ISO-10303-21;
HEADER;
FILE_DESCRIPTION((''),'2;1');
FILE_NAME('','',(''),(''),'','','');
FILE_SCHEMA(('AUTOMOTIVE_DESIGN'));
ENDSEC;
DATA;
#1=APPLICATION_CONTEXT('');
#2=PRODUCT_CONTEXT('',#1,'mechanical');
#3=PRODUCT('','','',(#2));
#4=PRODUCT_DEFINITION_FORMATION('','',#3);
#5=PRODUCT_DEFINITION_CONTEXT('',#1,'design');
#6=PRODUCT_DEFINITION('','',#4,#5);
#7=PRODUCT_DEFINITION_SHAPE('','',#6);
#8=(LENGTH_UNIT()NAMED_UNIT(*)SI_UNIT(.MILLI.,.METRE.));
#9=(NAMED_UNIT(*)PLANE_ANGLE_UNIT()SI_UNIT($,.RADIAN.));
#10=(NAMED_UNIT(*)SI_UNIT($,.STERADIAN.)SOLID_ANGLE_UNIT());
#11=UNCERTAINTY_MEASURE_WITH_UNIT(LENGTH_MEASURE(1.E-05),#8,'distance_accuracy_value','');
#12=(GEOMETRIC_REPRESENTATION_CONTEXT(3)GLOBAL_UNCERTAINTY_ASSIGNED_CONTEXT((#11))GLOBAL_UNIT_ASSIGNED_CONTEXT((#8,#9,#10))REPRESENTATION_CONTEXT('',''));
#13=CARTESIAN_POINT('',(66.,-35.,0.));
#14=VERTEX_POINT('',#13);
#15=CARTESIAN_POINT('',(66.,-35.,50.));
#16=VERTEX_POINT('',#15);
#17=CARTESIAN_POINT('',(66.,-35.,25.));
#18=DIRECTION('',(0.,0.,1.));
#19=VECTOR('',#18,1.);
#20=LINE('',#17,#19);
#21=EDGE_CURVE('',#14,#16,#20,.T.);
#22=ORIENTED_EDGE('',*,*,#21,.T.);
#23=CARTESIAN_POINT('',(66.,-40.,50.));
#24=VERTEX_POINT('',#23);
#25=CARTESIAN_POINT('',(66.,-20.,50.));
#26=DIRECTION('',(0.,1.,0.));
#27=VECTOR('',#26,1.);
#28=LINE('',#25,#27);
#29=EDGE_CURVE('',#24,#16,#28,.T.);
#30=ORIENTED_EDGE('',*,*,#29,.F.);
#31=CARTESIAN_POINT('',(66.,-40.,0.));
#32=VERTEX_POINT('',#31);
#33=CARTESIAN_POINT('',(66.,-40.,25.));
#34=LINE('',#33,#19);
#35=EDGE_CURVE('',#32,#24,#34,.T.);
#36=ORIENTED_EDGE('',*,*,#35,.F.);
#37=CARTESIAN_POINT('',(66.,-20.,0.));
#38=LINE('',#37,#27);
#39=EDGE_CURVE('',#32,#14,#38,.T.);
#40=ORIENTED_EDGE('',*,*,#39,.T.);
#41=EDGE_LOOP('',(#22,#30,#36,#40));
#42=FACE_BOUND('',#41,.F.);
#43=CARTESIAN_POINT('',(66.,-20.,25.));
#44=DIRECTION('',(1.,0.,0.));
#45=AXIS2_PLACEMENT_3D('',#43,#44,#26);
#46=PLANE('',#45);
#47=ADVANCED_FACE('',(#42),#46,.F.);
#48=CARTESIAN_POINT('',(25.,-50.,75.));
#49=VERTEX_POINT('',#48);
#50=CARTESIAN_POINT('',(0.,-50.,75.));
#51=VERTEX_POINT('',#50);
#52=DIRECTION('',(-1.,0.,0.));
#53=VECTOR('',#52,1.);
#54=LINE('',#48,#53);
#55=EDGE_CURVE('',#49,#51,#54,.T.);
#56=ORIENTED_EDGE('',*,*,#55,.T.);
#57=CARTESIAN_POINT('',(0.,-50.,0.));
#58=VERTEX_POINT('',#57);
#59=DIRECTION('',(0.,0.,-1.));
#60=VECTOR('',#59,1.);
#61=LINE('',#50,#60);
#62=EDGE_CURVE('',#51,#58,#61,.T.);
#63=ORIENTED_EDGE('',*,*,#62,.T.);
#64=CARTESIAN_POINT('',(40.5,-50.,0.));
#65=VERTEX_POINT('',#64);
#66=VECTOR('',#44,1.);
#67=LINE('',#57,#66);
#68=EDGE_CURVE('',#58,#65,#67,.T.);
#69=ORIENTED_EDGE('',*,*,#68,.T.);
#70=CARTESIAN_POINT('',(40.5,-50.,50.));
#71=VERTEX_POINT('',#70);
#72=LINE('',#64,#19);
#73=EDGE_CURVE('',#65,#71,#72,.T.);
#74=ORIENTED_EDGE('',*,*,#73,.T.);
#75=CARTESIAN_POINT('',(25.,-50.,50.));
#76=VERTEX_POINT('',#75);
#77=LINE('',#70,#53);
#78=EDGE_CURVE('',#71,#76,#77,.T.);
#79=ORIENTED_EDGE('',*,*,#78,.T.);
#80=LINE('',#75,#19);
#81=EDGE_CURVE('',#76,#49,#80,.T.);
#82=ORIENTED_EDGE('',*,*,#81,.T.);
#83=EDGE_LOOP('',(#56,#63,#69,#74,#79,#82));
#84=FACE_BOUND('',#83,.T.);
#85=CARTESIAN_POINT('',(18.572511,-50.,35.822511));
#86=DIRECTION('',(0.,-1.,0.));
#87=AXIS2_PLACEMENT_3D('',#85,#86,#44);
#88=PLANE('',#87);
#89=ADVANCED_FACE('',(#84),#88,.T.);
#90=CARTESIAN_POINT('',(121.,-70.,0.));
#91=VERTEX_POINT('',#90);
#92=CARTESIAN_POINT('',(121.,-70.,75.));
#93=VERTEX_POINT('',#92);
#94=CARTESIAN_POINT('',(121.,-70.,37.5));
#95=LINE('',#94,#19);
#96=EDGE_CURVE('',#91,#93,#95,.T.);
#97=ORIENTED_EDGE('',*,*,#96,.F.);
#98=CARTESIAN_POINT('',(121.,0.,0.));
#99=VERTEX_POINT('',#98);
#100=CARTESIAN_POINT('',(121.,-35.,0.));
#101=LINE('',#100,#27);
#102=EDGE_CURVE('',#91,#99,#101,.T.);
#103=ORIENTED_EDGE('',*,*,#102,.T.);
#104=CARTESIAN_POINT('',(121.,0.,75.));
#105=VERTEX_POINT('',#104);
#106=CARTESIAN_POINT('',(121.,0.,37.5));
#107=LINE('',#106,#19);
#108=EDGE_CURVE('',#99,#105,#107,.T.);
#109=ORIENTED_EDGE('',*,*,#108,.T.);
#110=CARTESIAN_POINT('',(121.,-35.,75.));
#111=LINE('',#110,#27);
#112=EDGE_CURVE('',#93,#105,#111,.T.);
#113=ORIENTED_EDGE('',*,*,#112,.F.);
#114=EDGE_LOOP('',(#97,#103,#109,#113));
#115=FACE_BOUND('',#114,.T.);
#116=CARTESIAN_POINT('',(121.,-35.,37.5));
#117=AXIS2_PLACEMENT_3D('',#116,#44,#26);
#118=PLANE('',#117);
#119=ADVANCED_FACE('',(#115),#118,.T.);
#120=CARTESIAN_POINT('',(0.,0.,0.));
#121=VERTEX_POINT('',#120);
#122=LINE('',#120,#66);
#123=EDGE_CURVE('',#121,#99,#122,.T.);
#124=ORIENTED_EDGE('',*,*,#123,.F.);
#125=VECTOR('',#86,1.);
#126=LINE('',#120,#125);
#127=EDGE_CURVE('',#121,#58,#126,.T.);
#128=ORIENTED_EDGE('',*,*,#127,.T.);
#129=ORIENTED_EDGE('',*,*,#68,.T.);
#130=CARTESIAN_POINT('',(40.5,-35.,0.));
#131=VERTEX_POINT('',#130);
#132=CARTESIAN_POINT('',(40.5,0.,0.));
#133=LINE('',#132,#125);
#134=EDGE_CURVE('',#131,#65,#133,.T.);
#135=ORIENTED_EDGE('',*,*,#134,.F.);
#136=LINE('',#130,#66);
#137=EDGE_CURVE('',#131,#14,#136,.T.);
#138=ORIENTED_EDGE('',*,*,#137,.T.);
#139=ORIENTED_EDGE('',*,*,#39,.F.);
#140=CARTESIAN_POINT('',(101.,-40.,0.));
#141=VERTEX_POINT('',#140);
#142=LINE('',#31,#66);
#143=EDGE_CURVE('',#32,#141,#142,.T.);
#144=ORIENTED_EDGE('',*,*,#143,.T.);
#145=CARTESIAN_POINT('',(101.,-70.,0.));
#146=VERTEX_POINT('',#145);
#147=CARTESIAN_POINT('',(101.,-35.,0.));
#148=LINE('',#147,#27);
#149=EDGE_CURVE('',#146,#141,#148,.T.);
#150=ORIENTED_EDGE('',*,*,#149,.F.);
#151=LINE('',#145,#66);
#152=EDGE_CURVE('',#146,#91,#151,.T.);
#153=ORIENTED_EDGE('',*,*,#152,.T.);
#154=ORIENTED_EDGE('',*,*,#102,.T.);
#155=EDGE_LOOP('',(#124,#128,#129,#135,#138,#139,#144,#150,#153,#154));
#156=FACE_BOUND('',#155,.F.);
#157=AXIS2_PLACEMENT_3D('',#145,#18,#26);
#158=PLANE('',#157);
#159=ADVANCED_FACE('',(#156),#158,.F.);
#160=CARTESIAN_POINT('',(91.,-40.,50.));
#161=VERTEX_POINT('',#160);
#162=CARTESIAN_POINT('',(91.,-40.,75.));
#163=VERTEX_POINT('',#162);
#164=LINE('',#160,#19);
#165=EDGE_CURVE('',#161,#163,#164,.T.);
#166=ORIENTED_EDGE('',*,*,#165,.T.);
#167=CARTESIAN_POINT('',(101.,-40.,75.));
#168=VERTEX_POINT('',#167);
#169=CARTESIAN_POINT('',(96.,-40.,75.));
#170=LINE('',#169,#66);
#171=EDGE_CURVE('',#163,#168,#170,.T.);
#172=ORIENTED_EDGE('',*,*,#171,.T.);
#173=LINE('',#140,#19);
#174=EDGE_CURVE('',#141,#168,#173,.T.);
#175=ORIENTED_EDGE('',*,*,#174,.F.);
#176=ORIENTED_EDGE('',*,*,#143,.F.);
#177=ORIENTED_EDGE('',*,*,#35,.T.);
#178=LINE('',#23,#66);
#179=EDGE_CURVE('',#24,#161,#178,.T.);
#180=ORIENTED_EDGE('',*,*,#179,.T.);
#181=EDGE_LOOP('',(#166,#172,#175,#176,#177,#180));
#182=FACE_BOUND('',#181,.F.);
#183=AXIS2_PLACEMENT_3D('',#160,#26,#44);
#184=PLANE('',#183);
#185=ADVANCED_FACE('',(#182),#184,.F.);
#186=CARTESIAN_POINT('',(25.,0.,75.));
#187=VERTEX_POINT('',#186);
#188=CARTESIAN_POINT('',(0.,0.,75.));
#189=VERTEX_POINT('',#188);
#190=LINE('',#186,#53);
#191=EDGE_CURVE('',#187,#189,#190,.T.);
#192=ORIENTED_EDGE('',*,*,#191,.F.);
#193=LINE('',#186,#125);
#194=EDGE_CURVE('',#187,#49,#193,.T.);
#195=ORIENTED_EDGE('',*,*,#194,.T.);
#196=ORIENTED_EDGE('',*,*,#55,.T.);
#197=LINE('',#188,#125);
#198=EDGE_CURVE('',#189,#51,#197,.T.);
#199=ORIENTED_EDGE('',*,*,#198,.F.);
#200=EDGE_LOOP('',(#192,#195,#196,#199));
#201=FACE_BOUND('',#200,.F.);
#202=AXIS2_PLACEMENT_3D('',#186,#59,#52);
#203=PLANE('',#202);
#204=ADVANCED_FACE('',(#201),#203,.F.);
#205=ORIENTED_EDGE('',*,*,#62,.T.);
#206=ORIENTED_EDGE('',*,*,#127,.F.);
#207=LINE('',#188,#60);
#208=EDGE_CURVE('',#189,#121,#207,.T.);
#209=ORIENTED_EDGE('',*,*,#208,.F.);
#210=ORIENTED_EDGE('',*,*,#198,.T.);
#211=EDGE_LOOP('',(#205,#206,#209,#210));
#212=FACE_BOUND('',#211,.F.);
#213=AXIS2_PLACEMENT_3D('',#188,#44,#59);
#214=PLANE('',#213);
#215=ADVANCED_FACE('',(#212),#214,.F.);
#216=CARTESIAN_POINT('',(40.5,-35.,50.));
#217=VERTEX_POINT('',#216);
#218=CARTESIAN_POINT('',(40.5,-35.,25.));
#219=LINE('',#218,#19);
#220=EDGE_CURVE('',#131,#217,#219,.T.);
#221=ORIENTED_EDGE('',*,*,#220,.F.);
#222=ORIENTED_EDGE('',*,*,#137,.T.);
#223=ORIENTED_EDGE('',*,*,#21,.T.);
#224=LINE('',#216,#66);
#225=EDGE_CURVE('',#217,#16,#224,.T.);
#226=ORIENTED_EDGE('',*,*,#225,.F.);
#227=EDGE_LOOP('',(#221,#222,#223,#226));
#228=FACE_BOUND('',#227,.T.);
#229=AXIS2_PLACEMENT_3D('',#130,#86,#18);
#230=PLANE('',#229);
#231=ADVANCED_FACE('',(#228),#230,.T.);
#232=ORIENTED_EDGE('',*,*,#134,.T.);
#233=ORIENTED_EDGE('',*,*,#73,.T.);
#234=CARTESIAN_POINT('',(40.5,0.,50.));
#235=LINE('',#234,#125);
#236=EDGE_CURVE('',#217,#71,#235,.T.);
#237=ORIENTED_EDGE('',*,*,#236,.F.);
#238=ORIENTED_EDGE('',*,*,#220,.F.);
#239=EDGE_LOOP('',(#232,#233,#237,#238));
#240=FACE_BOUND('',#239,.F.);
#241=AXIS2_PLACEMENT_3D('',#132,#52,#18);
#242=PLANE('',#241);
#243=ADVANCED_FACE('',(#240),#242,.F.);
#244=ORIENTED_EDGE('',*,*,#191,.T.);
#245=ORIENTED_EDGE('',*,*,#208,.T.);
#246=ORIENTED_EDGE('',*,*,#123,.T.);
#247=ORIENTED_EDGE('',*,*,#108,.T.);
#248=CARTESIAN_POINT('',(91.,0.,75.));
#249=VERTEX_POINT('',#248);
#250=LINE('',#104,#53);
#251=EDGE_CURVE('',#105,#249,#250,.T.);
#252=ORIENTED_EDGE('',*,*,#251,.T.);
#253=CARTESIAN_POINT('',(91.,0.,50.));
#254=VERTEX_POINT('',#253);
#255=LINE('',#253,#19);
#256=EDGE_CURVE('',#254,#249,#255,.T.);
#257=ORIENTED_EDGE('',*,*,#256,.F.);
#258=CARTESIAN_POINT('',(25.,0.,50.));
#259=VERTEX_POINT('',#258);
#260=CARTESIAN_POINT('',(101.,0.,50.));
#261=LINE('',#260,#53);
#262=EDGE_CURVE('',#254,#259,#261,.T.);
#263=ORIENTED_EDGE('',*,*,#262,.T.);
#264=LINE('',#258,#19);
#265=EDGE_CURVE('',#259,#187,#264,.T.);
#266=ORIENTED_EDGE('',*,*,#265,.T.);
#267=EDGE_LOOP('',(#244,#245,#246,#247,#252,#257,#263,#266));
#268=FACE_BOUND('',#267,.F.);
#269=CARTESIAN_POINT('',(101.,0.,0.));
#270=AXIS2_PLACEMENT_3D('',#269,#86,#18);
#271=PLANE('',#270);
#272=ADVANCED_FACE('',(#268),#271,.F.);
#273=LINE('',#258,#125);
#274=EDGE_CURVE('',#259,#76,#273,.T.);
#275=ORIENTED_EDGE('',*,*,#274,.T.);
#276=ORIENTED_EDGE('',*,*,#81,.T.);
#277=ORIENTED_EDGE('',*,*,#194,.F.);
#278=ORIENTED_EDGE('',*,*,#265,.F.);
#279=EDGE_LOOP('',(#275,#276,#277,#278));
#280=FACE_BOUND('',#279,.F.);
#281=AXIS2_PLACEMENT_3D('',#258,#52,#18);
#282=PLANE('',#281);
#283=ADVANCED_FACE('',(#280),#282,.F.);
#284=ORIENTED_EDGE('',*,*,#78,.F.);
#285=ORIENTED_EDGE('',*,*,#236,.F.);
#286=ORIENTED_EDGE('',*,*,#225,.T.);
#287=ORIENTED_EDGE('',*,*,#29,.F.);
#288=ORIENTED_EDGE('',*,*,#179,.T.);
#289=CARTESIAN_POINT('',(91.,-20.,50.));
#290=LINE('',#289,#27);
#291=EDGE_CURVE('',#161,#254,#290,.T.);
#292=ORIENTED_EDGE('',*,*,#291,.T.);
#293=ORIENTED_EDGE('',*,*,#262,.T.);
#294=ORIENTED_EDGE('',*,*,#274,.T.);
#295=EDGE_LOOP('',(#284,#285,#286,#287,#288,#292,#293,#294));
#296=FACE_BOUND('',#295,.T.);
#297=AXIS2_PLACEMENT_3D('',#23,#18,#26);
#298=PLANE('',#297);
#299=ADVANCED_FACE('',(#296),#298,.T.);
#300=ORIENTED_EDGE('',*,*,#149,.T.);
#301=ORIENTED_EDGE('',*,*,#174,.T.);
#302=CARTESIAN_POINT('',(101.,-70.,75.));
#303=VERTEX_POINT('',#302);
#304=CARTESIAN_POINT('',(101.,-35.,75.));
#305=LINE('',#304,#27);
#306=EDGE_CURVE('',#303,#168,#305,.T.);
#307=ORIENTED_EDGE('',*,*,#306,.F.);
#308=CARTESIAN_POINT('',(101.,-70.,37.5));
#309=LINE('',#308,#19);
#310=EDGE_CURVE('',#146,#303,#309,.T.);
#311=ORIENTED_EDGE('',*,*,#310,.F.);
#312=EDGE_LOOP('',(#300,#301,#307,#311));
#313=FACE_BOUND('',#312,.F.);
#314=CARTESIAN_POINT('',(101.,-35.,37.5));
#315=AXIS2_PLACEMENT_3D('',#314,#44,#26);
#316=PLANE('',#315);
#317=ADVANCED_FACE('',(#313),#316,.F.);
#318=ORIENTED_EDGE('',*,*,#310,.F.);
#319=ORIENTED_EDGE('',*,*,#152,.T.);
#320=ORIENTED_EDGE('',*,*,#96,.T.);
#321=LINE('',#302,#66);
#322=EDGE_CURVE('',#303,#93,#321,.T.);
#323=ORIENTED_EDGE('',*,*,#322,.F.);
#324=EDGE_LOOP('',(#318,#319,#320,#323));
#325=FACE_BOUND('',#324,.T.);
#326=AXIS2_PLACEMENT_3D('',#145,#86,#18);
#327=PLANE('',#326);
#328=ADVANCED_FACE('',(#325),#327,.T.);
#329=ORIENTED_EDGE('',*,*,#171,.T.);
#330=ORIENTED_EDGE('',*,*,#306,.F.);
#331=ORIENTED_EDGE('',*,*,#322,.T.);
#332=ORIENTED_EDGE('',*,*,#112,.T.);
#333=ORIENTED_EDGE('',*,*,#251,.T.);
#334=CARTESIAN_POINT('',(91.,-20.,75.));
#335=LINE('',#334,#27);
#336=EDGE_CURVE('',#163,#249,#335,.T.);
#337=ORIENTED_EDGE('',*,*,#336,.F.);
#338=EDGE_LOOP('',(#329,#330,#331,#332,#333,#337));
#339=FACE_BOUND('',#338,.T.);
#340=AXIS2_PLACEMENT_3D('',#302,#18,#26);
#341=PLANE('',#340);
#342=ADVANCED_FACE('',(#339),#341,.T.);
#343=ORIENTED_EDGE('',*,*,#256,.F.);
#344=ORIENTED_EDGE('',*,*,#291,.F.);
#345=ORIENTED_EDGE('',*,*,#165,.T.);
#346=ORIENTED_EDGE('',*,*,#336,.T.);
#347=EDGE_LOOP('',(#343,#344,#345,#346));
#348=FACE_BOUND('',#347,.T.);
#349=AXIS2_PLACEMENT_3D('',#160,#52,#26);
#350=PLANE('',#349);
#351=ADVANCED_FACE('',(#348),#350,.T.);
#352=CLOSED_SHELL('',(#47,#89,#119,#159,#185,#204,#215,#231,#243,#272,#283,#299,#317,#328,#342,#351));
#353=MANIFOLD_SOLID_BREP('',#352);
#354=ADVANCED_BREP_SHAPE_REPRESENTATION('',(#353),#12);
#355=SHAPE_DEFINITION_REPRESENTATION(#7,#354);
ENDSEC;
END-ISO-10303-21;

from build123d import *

# Parameters (mm, degrees)
F1_DEPTH = 50
F2_W     = 35
F2_H     = 50
F3_DEPTH = 25.5
F4_W     = 40
F4_H     = 50
F5_DEPTH = 35
F6_W     = 10
F6_H     = 40
F7_DEPTH = 25
F8_W     = 70
F8_H     = 75
F9_DEPTH = 20


with BuildPart() as f1:
    # F0 (on Front) → F1 (new body)
    with BuildSketch(Plane.XZ):
        Polygon((0, 75), (0, 0), (40.5, 0), (40.5, 50), (25, 50), (25, 75), align=None)
    extrude(amount=F1_DEPTH)

    # F2 (on face) → F3 (join)
    with BuildSketch(Plane.YZ.offset(40.5)):
        with Locations((-17.5, 25)):
            Rectangle(F2_W, F2_H)
    extrude(amount=F3_DEPTH)

    # F4 (on face) → F5 (join)
    with BuildSketch(Plane.YZ.offset(66)):
        with Locations((-20, 25)):
            Rectangle(F4_W, F4_H)
    extrude(amount=F5_DEPTH)

    # F6 (on face) → F7 (join)
    with BuildSketch(Plane.XY.offset(50)):
        with Locations((96, -20)):
            Rectangle(F6_W, F6_H)
    extrude(amount=F7_DEPTH)

    # F8 (on face) → F9 (join)
    with BuildSketch(Plane.YZ.offset(101)):
        with Locations((-35, 37.5)):
            Rectangle(F8_W, F8_H)
    extrude(amount=F9_DEPTH)


solid = f1.part
